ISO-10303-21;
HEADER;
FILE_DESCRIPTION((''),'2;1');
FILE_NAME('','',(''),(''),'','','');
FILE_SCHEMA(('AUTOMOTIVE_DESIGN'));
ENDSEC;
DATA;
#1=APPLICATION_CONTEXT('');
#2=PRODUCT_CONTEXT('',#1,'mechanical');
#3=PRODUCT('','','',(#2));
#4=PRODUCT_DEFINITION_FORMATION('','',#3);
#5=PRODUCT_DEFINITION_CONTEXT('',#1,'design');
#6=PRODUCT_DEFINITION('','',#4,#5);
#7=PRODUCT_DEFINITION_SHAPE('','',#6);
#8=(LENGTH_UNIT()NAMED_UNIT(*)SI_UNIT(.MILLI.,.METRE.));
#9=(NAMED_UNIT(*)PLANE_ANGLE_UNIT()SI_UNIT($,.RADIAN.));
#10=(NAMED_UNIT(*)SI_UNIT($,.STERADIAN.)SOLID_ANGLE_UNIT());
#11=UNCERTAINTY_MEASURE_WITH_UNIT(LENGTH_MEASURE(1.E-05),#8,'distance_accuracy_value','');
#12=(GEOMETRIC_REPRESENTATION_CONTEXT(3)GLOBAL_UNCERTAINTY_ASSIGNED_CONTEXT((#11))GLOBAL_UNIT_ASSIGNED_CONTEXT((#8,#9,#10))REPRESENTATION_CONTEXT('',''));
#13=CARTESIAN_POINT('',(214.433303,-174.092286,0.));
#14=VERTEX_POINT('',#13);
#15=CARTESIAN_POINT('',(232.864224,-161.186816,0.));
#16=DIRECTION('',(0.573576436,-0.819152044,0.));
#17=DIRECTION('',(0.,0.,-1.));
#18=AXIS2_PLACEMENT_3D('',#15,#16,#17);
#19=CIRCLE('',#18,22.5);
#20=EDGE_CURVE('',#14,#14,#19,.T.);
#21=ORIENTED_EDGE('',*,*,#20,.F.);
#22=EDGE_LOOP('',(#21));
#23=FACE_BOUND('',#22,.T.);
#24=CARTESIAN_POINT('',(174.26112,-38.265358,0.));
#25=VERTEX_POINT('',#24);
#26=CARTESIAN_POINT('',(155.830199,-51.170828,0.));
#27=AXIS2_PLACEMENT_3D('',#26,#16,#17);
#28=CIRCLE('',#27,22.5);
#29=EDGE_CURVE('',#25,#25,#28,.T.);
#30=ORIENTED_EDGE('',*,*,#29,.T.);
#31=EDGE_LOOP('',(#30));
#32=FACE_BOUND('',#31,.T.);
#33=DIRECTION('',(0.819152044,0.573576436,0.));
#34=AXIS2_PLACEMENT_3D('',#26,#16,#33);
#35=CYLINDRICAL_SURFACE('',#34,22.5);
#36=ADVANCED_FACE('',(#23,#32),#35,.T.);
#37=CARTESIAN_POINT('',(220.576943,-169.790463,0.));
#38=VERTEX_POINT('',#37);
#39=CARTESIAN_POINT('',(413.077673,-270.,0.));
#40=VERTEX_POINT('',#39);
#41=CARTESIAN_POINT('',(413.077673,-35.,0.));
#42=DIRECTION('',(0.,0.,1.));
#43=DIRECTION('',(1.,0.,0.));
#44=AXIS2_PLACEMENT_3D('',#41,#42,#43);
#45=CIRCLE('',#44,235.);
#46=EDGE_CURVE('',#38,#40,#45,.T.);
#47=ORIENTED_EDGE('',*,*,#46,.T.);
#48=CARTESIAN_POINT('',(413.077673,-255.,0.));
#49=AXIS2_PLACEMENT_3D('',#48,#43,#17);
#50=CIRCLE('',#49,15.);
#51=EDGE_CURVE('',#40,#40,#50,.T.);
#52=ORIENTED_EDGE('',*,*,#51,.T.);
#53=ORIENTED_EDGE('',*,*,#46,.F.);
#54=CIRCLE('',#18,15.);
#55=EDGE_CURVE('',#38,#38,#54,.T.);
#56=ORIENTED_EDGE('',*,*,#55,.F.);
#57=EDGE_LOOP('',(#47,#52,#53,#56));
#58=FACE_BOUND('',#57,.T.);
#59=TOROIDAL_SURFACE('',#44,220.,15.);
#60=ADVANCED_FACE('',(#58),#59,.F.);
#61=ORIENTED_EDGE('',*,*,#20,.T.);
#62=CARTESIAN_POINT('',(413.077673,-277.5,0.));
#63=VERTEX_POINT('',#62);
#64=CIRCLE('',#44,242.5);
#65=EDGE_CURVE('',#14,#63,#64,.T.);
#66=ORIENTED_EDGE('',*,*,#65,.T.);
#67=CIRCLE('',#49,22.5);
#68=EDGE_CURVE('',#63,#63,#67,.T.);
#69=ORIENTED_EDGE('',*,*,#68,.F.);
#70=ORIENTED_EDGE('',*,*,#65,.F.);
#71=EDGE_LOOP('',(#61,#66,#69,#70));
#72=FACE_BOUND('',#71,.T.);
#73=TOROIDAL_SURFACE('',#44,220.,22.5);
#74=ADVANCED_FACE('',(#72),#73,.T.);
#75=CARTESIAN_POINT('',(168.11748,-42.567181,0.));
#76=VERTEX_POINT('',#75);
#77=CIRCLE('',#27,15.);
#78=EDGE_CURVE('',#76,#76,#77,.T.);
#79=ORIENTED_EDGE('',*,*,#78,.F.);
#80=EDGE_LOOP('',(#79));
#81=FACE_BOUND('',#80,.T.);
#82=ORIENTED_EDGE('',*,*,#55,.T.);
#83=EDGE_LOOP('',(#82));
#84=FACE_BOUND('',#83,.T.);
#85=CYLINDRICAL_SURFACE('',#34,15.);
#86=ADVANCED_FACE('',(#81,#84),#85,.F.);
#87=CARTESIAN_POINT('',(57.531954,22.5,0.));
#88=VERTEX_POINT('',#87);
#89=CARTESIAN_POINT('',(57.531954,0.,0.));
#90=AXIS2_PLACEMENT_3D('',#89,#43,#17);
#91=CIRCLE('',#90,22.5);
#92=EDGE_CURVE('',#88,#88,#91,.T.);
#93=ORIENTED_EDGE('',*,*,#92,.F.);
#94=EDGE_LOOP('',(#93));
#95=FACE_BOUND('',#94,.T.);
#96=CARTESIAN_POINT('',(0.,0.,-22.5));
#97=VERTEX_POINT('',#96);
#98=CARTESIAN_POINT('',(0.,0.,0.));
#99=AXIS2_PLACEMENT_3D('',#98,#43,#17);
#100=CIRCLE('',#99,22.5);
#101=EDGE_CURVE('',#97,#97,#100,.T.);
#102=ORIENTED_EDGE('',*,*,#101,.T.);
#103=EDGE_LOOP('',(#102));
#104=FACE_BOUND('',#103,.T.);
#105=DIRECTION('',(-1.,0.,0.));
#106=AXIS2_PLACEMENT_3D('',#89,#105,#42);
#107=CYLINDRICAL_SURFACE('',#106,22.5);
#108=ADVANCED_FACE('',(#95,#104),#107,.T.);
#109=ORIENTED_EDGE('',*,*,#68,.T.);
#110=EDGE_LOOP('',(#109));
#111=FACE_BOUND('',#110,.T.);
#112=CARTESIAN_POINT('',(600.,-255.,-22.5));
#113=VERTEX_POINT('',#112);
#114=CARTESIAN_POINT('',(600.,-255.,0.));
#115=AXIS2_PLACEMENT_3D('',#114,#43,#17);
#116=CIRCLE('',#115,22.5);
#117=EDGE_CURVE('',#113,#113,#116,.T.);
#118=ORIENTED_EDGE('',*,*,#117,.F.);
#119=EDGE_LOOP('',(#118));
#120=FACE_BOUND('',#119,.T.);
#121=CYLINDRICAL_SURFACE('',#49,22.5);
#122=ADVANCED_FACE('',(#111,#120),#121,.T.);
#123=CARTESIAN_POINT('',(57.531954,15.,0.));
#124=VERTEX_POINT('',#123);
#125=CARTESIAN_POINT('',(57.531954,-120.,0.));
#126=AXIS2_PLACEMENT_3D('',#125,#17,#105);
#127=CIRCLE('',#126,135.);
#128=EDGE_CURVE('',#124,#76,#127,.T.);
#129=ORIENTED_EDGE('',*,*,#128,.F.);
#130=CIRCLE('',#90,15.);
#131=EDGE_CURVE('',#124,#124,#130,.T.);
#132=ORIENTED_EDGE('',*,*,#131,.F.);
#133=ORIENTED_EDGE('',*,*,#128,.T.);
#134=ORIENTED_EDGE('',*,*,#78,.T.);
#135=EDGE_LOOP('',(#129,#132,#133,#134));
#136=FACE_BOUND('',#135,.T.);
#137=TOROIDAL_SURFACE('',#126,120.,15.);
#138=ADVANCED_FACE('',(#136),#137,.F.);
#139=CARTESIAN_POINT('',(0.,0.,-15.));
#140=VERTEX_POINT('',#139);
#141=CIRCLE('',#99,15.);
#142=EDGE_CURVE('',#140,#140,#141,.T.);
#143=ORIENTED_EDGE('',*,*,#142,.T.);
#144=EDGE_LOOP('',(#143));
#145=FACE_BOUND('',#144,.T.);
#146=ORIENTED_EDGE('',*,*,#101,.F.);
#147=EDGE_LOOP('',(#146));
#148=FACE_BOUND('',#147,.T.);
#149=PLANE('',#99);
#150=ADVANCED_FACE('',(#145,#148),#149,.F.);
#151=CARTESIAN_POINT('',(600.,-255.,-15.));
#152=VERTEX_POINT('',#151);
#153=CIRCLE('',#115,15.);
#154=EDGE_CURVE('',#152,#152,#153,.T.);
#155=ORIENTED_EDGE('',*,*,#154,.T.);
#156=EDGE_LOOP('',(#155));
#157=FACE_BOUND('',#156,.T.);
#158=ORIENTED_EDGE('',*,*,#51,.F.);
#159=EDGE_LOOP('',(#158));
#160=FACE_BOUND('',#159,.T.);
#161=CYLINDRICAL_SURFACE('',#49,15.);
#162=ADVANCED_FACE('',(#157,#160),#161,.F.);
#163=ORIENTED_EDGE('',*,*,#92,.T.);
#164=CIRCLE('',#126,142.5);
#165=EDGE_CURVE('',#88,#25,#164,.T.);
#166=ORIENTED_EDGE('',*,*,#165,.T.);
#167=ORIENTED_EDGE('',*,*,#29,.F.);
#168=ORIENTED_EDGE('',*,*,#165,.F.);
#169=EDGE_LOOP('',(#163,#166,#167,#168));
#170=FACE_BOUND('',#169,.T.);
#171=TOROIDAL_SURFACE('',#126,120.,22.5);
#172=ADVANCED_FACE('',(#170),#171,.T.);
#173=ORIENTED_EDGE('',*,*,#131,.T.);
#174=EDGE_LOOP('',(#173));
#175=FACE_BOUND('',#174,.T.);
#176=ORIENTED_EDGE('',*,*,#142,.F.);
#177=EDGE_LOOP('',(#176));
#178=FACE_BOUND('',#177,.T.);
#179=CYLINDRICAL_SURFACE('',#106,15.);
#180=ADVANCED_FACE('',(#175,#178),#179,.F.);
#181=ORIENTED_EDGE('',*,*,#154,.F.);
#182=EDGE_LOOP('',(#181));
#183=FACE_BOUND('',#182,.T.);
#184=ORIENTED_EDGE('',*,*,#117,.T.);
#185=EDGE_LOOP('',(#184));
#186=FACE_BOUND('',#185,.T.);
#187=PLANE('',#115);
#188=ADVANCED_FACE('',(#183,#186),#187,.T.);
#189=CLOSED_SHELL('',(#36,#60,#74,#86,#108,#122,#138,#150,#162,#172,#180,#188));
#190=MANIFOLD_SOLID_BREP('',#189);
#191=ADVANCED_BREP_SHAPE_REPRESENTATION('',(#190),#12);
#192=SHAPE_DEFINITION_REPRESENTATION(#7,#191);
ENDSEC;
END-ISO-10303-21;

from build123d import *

# Parameters (mm, degrees)
SKETCH3_R   = 22.5
SKETCH3_R_2 = 15


with BuildPart() as part:
    # Sweep1: sweep along a path in Sketch2
    with BuildLine(Plane.XY) as sweep1_path:
        Line((0, 0), (57.531953934, 0))
        ThreePointArc((57.531953934, 0), (112.941787522, -13.558700019), (155.830199248, -51.170827638))
        Line((155.830199248, -51.170827638), (232.864223621, -161.186815997))
        ThreePointArc((232.864223621, -161.186815997), (311.492978453, -230.142383299), (413.077673365, -255))
        Line((413.077673365, -255), (600, -255))
    # Sketch3 → Sweep1 (sweep)
    with BuildSketch(Plane(origin=(0, 0, 0), x_dir=(0, 0, -1), z_dir=(1, 0, 0))):
        Circle(SKETCH3_R)
        Circle(SKETCH3_R_2, mode=Mode.SUBTRACT)
    sweep(path=sweep1_path.line)


solid = part.part
